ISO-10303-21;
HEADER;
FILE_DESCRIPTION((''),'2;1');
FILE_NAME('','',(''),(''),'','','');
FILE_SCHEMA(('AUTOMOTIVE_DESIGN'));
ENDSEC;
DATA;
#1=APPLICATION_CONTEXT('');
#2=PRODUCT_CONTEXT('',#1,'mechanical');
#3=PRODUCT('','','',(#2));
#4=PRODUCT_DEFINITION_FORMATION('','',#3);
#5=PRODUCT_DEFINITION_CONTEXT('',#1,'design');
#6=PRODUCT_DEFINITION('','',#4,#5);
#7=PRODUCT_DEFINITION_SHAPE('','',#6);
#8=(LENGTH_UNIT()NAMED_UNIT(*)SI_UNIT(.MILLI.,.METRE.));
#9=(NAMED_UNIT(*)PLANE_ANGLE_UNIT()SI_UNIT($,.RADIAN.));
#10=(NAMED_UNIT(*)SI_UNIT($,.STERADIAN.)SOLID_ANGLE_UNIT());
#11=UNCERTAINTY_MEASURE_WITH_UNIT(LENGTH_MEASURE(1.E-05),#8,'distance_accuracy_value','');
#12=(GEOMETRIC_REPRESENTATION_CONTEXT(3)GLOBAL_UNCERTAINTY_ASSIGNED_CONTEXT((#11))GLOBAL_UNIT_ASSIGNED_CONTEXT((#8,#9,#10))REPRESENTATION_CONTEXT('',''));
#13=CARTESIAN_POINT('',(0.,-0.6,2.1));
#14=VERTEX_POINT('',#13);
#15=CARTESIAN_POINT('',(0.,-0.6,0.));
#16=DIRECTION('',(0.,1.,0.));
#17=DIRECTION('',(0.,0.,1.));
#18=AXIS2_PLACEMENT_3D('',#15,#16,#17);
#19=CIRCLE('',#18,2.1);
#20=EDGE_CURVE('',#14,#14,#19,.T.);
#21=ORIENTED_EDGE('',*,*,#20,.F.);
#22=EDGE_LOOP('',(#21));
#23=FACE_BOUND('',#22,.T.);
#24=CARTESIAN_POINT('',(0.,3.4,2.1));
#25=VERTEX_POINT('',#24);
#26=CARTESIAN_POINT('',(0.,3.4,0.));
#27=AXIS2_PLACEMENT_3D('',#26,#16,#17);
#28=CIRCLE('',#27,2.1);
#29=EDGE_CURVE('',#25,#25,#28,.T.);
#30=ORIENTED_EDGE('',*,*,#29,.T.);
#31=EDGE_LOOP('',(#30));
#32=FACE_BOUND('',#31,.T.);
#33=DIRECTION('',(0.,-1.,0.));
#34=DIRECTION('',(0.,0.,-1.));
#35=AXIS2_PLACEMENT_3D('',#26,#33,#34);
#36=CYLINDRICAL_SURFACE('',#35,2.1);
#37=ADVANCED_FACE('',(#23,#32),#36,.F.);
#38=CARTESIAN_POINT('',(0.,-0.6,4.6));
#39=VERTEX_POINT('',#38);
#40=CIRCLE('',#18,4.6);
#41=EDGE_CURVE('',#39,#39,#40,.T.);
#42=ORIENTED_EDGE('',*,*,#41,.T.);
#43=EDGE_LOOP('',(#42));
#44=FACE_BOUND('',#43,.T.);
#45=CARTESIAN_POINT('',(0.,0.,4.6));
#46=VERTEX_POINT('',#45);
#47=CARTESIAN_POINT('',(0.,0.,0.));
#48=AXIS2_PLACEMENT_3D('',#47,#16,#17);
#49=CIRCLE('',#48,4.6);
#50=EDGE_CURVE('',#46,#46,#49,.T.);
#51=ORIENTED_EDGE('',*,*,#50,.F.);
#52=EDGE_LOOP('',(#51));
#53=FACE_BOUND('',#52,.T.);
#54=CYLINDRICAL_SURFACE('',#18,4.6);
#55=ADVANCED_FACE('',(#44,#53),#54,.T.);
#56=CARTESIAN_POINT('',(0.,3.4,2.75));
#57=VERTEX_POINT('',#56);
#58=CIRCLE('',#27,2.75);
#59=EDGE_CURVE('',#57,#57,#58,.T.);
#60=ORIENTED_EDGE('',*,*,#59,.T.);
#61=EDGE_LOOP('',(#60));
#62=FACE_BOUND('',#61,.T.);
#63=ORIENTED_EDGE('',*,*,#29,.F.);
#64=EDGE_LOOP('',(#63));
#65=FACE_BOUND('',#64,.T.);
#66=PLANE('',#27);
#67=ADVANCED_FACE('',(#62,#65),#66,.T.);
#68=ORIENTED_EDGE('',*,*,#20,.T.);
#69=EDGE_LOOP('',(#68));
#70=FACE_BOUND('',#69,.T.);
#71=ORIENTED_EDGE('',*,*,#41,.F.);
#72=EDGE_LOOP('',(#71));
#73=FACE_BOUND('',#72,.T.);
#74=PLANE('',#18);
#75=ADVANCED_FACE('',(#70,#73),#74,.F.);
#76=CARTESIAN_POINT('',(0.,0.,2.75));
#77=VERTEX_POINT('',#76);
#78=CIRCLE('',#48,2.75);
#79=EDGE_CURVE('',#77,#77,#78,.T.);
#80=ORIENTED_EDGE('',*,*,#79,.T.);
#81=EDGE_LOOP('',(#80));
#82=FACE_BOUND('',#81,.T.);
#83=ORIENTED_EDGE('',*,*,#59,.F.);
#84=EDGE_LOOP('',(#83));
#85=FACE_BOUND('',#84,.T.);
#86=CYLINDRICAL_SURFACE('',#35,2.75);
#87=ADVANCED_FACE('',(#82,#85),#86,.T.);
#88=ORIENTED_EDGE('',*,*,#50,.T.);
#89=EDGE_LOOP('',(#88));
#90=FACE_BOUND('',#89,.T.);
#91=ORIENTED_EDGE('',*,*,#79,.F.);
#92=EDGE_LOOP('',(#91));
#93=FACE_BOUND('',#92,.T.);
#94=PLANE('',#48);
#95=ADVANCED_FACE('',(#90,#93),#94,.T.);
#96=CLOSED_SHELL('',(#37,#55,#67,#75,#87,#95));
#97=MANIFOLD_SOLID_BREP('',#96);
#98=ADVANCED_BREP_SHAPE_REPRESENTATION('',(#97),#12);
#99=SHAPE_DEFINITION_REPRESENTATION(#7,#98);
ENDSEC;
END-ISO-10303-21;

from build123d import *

# Parameters (mm, degrees)
SKETCH_1_R      = 2.75
SKETCH_1_R_2    = 2.1
EXTRUDE_1_DEPTH = 3.4
EXTRUDE_START   = -0.6
SKETCH_1_3_R    = 4.6
SKETCH_1_3_R_2  = 2.1
EXTRUDE_2_DEPTH = 0.6


with BuildPart() as part:
    # 草图1 → 凸台-拉伸1 (new body)
    with BuildSketch(Plane(origin=(0, 0, 0), x_dir=(1, 0, 0), z_dir=(0, 1, 0))):
        Circle(SKETCH_1_R)
        Circle(SKETCH_1_R_2, mode=Mode.SUBTRACT)
    extrude(amount=EXTRUDE_1_DEPTH)

    # 草图1<3> → 凸台-拉伸2 (add)
    with BuildSketch(Plane(origin=(0, 0, 0), x_dir=(1, 0, 0), z_dir=(0, 1, 0)).offset(EXTRUDE_START)):
        Circle(SKETCH_1_3_R)
        Circle(SKETCH_1_3_R_2, mode=Mode.SUBTRACT)
    extrude(amount=EXTRUDE_2_DEPTH)


solid = part.part
